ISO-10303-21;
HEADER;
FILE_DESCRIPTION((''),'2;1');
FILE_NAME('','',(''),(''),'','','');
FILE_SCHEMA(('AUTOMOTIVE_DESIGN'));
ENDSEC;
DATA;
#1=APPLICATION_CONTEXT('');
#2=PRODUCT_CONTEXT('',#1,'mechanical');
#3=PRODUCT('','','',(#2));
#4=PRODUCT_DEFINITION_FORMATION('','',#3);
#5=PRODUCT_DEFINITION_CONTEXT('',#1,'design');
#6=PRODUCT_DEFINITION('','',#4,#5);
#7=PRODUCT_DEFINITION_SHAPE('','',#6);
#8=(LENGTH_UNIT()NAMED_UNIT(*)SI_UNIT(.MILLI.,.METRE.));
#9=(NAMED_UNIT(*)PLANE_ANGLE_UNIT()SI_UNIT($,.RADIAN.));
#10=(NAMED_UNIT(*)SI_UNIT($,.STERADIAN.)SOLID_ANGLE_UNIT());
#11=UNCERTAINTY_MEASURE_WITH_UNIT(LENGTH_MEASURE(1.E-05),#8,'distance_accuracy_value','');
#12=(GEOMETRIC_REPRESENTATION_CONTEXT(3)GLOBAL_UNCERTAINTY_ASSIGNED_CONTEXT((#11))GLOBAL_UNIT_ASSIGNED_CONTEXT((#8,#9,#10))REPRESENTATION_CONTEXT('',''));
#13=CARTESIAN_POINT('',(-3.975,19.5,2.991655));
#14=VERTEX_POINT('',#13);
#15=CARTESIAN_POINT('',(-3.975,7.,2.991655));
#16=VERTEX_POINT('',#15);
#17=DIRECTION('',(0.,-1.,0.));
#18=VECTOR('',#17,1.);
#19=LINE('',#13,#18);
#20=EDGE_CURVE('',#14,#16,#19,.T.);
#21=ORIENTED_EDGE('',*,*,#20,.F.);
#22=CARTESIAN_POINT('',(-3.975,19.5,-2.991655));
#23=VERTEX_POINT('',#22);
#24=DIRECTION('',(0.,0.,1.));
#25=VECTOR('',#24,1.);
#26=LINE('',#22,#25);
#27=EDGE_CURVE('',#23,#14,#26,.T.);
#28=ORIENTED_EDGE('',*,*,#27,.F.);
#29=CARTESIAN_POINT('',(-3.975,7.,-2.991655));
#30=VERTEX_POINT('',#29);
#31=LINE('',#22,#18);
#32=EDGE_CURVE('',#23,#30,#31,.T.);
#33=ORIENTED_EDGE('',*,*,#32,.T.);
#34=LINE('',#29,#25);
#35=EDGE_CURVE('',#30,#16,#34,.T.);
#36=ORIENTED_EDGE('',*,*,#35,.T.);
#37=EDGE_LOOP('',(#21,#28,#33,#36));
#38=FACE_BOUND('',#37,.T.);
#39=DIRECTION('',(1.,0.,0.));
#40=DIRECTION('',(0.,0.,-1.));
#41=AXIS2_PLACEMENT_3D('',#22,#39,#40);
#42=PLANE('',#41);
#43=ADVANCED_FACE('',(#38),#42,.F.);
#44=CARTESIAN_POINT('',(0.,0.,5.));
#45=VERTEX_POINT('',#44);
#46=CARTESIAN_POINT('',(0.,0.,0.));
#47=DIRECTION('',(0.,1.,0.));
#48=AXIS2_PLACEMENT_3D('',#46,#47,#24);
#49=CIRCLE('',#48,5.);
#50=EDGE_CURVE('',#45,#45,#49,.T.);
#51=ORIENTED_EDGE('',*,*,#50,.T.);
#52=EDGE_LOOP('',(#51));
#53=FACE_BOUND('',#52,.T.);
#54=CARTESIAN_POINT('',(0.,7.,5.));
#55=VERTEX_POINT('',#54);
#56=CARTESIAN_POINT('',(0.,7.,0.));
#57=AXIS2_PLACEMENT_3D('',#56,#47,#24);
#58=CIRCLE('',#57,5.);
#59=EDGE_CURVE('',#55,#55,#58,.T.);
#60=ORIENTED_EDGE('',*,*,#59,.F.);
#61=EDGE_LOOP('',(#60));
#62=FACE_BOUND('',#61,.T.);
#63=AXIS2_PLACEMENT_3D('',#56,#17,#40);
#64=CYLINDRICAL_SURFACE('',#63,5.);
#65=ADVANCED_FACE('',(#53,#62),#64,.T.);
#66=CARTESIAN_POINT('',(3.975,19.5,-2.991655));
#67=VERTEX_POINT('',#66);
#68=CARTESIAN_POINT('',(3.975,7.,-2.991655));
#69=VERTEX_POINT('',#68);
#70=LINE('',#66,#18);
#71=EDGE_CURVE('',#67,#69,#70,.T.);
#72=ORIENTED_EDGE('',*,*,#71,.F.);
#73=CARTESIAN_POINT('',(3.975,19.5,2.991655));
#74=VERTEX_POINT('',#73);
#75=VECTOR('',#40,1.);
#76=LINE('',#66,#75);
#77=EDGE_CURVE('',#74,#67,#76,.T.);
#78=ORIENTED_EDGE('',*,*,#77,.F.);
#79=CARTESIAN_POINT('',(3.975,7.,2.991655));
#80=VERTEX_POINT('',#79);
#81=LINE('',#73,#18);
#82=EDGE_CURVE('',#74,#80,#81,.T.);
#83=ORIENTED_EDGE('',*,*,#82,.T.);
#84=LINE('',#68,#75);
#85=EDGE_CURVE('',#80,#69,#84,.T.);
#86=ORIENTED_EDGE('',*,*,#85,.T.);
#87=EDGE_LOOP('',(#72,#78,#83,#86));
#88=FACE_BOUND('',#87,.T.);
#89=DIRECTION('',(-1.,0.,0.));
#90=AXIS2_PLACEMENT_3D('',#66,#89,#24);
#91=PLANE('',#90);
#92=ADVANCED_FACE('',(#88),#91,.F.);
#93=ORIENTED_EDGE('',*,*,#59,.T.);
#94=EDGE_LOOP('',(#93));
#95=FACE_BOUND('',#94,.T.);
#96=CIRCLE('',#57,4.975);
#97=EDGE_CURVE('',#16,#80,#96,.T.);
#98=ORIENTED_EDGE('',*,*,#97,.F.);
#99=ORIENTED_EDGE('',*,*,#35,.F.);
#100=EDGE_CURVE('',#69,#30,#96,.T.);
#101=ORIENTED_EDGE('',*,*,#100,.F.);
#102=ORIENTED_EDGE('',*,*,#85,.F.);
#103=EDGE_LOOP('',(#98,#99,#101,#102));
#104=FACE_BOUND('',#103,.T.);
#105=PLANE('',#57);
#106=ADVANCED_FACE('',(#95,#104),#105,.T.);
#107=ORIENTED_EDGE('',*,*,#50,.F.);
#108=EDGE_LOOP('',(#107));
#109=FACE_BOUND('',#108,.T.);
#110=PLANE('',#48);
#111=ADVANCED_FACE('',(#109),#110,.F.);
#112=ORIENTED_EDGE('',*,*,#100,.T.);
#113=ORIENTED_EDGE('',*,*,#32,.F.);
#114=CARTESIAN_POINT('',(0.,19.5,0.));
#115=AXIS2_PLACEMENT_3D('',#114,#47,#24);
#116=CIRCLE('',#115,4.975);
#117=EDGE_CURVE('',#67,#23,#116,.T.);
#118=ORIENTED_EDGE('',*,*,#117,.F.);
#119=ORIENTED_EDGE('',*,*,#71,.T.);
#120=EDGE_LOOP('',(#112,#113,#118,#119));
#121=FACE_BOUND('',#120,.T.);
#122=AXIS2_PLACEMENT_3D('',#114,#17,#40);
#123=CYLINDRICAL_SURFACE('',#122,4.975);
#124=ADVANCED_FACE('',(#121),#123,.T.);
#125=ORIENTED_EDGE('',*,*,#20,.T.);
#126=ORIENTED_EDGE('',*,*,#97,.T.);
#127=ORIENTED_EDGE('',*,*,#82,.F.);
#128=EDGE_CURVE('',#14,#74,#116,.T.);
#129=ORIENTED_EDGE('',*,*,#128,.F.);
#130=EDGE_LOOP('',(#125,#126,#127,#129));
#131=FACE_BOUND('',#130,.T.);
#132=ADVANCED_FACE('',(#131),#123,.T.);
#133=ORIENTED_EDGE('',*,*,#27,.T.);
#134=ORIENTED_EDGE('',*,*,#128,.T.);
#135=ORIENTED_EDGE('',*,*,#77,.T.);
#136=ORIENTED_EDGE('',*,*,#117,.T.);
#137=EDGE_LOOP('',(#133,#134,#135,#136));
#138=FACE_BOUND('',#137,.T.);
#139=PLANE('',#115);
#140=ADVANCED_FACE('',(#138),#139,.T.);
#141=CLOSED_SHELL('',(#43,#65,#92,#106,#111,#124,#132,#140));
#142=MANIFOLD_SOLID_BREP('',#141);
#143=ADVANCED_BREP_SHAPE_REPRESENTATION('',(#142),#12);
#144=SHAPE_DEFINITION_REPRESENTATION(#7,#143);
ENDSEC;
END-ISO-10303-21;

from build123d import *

# Parameters (mm, degrees)
SKETCH2_R           = 5
BOSS_EXTRUDE1_DEPTH = 7
BOSS_EXTRUDE2_DEPTH = 12.5


with BuildPart() as part:
    # Sketch2 → Boss-Extrude1 (new body)
    with BuildSketch(Plane(origin=(0, 0, 0), x_dir=(1, 0, 0), z_dir=(0, 1, 0))):
        with Locations(Location((0, 0, 0), (0, 0, 270))):
            Circle(SKETCH2_R)
    extrude(amount=BOSS_EXTRUDE1_DEPTH)

    # Sketch3 → Boss-Extrude2 (add)
    with BuildSketch(Plane(origin=(0, 7, 0), x_dir=(1, 0, 0), z_dir=(0, 1, 0))):
        with BuildLine():
            Line((-3.975, 2.99165506), (-3.975, -2.99165506))
            ThreePointArc((-3.975, -2.99165506), (0, -4.975), (3.975, -2.99165506))
            Line((3.975, -2.99165506), (3.975, 2.99165506))
            ThreePointArc((3.975, 2.99165506), (0, 4.975), (-3.975, 2.99165506))
        make_face()
    extrude(amount=BOSS_EXTRUDE2_DEPTH)


solid = part.part
